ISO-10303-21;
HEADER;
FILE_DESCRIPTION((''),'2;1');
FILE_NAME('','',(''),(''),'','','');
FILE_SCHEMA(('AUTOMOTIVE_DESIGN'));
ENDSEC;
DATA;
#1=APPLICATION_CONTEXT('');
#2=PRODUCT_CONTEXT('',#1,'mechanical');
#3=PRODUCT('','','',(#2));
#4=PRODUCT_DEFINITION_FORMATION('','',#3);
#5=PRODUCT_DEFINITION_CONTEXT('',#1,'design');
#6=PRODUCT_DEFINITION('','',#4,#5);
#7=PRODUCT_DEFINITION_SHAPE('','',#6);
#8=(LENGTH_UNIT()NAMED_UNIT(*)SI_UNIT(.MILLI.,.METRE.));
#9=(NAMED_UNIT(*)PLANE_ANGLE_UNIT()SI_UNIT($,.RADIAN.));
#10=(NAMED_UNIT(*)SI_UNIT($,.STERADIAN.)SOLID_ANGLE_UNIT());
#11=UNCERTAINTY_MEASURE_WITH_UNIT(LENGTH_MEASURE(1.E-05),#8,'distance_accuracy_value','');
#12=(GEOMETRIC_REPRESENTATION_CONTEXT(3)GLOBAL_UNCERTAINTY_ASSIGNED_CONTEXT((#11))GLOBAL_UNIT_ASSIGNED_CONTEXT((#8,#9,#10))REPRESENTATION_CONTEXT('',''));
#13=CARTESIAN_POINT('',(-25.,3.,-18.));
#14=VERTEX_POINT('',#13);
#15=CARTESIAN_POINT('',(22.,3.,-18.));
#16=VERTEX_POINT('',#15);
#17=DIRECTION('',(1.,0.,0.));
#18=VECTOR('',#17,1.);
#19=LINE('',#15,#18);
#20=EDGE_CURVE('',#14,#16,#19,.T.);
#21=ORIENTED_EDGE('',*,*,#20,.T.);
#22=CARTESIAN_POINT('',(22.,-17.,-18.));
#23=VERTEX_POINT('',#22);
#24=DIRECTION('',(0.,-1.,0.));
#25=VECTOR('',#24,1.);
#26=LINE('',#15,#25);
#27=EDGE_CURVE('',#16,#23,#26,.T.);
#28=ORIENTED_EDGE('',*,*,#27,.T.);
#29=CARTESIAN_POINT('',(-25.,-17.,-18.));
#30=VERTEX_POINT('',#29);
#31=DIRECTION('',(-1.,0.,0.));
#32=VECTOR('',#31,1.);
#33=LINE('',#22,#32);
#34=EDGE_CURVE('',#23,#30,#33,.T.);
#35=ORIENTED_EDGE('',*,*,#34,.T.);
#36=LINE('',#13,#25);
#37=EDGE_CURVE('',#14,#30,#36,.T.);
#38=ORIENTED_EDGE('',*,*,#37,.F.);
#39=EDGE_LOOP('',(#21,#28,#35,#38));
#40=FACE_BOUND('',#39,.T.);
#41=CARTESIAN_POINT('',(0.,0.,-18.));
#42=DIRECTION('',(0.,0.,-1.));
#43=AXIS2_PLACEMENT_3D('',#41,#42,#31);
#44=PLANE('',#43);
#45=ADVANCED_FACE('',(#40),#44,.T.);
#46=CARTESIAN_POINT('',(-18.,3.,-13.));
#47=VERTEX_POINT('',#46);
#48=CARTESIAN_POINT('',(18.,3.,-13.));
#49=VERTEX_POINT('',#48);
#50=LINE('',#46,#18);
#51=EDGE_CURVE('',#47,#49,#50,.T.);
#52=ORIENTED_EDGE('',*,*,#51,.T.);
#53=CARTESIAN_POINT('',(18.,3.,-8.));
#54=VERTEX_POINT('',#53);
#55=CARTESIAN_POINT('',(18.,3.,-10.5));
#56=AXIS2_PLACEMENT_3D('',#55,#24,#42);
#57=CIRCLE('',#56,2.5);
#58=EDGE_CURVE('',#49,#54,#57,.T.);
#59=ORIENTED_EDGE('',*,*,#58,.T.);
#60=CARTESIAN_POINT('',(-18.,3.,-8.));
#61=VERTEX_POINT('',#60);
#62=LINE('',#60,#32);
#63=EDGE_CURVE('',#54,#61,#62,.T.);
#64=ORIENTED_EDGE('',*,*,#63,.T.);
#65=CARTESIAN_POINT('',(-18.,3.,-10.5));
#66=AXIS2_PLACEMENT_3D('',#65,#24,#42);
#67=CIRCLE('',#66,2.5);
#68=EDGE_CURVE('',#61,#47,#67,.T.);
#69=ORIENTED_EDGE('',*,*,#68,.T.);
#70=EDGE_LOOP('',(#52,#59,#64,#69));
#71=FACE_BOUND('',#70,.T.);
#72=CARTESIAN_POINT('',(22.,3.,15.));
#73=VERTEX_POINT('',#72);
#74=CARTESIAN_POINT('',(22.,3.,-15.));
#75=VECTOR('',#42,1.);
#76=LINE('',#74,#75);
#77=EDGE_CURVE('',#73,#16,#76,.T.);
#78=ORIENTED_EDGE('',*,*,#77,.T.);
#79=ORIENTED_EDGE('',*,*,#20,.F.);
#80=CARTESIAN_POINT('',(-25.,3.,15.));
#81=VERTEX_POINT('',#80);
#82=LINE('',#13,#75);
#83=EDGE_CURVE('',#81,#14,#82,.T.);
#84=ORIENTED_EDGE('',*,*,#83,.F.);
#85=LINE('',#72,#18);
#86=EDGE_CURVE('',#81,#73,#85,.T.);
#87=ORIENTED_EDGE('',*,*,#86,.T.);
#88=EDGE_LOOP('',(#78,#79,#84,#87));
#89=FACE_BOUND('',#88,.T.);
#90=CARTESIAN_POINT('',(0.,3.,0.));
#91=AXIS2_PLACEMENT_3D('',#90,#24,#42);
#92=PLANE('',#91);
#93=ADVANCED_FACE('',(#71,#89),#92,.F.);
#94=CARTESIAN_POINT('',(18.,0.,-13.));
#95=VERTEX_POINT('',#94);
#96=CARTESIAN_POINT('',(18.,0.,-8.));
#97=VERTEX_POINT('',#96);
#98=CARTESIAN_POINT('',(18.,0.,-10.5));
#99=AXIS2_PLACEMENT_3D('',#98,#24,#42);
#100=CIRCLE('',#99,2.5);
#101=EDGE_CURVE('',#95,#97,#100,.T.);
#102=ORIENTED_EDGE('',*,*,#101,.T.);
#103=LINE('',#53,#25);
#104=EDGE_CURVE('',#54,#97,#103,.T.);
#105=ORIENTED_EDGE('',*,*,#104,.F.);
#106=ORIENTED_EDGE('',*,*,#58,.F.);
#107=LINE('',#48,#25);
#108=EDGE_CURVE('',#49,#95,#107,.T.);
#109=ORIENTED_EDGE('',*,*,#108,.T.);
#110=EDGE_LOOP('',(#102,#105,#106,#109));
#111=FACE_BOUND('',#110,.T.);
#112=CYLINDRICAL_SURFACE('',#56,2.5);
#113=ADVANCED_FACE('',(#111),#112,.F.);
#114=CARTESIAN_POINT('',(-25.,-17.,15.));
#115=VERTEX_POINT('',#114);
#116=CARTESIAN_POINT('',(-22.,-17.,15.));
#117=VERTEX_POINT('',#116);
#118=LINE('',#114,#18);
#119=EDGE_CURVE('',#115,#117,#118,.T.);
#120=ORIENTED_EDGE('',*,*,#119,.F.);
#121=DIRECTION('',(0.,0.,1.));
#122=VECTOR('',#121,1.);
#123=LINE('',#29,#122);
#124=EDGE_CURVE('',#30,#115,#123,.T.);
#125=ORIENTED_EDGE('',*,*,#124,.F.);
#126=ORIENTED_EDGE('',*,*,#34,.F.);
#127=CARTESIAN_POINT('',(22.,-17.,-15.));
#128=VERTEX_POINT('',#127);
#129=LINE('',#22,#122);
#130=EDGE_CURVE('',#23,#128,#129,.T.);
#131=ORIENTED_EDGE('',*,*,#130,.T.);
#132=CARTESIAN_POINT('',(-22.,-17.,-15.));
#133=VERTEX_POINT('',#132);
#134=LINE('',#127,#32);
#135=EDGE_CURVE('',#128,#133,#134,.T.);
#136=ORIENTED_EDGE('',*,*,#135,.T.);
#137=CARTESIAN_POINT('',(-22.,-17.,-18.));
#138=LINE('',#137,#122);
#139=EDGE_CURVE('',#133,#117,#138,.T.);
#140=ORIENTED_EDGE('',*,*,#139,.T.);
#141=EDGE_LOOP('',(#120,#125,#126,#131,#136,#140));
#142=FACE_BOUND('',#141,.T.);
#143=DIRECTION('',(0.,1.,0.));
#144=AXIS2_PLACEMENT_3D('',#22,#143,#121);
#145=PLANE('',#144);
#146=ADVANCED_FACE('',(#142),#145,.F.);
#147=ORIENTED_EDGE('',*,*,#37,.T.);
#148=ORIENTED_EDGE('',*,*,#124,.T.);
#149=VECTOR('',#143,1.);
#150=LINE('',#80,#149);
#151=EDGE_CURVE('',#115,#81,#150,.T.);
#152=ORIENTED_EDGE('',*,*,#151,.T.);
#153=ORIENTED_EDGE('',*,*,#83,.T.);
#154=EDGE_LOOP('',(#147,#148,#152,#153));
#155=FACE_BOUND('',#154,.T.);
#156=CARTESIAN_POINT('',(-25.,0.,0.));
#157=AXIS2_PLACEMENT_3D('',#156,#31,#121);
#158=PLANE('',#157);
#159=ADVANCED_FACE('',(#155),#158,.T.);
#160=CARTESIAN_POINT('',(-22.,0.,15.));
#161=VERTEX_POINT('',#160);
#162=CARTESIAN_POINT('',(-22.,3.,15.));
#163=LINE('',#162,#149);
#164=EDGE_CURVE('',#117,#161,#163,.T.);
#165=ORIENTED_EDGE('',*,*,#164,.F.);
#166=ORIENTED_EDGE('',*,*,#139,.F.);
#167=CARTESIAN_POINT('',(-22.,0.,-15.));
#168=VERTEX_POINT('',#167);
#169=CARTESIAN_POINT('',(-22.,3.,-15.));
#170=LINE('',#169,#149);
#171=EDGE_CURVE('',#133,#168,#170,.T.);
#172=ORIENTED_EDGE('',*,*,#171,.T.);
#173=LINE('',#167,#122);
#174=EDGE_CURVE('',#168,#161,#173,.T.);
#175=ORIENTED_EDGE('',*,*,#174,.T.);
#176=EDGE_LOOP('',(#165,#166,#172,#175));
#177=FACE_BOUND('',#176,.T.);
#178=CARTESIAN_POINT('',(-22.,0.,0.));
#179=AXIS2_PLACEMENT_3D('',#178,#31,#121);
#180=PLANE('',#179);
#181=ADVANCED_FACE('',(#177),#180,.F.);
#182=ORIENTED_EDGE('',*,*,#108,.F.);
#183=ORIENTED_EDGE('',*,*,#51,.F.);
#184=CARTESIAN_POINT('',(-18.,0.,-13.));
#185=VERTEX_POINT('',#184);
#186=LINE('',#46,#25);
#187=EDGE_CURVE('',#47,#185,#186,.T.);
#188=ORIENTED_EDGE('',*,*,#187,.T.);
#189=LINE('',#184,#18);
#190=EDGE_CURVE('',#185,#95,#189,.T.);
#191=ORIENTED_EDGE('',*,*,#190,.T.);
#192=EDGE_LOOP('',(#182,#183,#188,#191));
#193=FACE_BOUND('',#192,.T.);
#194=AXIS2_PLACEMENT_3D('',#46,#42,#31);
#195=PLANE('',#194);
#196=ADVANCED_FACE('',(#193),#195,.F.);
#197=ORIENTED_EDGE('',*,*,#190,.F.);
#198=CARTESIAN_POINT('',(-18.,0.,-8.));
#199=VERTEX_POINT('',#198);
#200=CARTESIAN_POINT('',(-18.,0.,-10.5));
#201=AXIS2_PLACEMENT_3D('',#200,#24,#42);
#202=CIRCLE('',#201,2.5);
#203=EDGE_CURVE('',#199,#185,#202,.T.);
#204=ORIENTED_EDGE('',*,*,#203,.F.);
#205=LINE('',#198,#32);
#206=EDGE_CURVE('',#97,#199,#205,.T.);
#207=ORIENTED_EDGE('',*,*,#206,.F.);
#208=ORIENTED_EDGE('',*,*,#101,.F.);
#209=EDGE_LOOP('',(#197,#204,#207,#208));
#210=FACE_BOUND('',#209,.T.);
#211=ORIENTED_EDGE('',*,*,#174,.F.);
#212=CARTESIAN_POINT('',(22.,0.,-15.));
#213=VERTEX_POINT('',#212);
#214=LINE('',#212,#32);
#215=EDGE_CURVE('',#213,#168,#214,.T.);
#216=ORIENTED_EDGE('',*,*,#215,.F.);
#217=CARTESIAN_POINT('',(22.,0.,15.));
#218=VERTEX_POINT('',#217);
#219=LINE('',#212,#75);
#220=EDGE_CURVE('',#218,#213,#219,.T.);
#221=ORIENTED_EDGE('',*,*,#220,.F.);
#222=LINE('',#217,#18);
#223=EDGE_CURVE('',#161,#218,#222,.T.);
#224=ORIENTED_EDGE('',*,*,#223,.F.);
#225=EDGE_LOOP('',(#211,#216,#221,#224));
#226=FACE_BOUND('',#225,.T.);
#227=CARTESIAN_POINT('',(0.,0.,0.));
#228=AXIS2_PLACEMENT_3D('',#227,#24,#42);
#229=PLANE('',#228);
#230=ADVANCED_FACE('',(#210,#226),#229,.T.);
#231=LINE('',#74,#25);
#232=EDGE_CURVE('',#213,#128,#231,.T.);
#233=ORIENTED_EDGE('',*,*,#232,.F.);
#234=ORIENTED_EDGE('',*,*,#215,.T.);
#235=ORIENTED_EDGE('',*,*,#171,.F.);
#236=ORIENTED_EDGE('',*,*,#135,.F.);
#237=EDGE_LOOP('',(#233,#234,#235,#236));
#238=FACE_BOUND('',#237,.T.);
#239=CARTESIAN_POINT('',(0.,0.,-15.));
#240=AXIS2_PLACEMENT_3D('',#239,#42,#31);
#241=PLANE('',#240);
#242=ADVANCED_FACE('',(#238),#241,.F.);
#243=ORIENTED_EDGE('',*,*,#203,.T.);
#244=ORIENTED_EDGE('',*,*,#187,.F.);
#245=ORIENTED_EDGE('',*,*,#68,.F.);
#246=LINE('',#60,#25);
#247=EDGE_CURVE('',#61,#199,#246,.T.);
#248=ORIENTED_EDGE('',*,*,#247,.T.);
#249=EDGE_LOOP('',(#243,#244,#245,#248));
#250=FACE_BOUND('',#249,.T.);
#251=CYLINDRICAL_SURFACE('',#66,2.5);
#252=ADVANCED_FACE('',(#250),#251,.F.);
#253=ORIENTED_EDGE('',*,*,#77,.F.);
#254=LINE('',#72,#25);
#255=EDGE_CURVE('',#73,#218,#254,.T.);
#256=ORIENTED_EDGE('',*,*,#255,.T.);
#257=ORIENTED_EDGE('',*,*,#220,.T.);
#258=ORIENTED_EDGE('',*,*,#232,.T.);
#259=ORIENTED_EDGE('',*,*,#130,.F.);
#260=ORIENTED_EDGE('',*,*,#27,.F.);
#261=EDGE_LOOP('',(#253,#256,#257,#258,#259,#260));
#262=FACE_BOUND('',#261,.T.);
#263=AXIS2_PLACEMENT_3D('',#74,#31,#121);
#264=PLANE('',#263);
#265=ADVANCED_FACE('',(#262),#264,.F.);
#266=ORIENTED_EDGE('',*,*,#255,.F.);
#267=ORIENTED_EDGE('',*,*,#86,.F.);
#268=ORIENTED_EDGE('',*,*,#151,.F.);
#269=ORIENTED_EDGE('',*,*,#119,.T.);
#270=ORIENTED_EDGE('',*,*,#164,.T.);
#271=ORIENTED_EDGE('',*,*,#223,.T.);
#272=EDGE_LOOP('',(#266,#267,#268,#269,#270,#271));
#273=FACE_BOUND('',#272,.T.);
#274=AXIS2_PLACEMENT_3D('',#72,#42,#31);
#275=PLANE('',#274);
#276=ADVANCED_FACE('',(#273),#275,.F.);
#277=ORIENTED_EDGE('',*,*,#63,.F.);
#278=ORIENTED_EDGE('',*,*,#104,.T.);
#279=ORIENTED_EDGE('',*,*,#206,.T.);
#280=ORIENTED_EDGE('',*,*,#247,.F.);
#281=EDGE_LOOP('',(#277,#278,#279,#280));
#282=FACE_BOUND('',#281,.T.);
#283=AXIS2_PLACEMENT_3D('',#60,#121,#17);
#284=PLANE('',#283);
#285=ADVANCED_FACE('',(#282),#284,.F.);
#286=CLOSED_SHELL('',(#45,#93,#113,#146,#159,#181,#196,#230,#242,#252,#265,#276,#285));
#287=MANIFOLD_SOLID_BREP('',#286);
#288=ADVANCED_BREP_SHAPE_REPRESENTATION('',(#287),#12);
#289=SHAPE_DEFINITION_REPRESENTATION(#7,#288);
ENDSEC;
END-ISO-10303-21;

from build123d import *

# Parameters (mm, degrees)
SKETCH2_W           = 44
SKETCH2_H           = 30
BOSS_EXTRUDE1_DEPTH = 3
SKETCH3_W           = 44
SKETCH3_H           = 20
BOSS_EXTRUDE2_DEPTH = 3
SKETCH4_W           = 33
SKETCH4_H           = 20
BOSS_EXTRUDE3_DEPTH = 3
CUT_EXTRUDE1_DEPTH  = 3


with BuildPart() as part:
    # Sketch2 → Boss-Extrude1 (new body)
    with BuildSketch(Plane(origin=(0, 0, 0), x_dir=(1, 0, 0), z_dir=(0, 1, 0))):
        Rectangle(SKETCH2_W, SKETCH2_H)
    extrude(amount=BOSS_EXTRUDE1_DEPTH)

    # Sketch3 → Boss-Extrude2 (add)
    with BuildSketch(Plane(origin=(0, 0, -15), x_dir=(-1, 0, 0), z_dir=(0, 0, -1))):
        with Locations((0, -7)):
            Rectangle(SKETCH3_W, SKETCH3_H)
    extrude(amount=BOSS_EXTRUDE2_DEPTH)

    # Sketch4 → Boss-Extrude3 (add)
    with BuildSketch(Plane.ZY.offset(22)):
        with Locations((-1.5, -7)):
            Rectangle(SKETCH4_W, SKETCH4_H)
    extrude(amount=BOSS_EXTRUDE3_DEPTH)

    # Sketch5 → Cut-Extrude1 (cut)
    with BuildSketch(Plane.XZ):
        with BuildLine():
            Line((-18, -8), (18, -8))
            ThreePointArc((18, -8), (20.5, -10.5), (18, -13))
            Line((18, -13), (-18, -13))
            ThreePointArc((-18, -13), (-20.5, -10.5), (-18, -8))
        make_face()
    extrude(amount=-CUT_EXTRUDE1_DEPTH, mode=Mode.SUBTRACT)


solid = part.part
